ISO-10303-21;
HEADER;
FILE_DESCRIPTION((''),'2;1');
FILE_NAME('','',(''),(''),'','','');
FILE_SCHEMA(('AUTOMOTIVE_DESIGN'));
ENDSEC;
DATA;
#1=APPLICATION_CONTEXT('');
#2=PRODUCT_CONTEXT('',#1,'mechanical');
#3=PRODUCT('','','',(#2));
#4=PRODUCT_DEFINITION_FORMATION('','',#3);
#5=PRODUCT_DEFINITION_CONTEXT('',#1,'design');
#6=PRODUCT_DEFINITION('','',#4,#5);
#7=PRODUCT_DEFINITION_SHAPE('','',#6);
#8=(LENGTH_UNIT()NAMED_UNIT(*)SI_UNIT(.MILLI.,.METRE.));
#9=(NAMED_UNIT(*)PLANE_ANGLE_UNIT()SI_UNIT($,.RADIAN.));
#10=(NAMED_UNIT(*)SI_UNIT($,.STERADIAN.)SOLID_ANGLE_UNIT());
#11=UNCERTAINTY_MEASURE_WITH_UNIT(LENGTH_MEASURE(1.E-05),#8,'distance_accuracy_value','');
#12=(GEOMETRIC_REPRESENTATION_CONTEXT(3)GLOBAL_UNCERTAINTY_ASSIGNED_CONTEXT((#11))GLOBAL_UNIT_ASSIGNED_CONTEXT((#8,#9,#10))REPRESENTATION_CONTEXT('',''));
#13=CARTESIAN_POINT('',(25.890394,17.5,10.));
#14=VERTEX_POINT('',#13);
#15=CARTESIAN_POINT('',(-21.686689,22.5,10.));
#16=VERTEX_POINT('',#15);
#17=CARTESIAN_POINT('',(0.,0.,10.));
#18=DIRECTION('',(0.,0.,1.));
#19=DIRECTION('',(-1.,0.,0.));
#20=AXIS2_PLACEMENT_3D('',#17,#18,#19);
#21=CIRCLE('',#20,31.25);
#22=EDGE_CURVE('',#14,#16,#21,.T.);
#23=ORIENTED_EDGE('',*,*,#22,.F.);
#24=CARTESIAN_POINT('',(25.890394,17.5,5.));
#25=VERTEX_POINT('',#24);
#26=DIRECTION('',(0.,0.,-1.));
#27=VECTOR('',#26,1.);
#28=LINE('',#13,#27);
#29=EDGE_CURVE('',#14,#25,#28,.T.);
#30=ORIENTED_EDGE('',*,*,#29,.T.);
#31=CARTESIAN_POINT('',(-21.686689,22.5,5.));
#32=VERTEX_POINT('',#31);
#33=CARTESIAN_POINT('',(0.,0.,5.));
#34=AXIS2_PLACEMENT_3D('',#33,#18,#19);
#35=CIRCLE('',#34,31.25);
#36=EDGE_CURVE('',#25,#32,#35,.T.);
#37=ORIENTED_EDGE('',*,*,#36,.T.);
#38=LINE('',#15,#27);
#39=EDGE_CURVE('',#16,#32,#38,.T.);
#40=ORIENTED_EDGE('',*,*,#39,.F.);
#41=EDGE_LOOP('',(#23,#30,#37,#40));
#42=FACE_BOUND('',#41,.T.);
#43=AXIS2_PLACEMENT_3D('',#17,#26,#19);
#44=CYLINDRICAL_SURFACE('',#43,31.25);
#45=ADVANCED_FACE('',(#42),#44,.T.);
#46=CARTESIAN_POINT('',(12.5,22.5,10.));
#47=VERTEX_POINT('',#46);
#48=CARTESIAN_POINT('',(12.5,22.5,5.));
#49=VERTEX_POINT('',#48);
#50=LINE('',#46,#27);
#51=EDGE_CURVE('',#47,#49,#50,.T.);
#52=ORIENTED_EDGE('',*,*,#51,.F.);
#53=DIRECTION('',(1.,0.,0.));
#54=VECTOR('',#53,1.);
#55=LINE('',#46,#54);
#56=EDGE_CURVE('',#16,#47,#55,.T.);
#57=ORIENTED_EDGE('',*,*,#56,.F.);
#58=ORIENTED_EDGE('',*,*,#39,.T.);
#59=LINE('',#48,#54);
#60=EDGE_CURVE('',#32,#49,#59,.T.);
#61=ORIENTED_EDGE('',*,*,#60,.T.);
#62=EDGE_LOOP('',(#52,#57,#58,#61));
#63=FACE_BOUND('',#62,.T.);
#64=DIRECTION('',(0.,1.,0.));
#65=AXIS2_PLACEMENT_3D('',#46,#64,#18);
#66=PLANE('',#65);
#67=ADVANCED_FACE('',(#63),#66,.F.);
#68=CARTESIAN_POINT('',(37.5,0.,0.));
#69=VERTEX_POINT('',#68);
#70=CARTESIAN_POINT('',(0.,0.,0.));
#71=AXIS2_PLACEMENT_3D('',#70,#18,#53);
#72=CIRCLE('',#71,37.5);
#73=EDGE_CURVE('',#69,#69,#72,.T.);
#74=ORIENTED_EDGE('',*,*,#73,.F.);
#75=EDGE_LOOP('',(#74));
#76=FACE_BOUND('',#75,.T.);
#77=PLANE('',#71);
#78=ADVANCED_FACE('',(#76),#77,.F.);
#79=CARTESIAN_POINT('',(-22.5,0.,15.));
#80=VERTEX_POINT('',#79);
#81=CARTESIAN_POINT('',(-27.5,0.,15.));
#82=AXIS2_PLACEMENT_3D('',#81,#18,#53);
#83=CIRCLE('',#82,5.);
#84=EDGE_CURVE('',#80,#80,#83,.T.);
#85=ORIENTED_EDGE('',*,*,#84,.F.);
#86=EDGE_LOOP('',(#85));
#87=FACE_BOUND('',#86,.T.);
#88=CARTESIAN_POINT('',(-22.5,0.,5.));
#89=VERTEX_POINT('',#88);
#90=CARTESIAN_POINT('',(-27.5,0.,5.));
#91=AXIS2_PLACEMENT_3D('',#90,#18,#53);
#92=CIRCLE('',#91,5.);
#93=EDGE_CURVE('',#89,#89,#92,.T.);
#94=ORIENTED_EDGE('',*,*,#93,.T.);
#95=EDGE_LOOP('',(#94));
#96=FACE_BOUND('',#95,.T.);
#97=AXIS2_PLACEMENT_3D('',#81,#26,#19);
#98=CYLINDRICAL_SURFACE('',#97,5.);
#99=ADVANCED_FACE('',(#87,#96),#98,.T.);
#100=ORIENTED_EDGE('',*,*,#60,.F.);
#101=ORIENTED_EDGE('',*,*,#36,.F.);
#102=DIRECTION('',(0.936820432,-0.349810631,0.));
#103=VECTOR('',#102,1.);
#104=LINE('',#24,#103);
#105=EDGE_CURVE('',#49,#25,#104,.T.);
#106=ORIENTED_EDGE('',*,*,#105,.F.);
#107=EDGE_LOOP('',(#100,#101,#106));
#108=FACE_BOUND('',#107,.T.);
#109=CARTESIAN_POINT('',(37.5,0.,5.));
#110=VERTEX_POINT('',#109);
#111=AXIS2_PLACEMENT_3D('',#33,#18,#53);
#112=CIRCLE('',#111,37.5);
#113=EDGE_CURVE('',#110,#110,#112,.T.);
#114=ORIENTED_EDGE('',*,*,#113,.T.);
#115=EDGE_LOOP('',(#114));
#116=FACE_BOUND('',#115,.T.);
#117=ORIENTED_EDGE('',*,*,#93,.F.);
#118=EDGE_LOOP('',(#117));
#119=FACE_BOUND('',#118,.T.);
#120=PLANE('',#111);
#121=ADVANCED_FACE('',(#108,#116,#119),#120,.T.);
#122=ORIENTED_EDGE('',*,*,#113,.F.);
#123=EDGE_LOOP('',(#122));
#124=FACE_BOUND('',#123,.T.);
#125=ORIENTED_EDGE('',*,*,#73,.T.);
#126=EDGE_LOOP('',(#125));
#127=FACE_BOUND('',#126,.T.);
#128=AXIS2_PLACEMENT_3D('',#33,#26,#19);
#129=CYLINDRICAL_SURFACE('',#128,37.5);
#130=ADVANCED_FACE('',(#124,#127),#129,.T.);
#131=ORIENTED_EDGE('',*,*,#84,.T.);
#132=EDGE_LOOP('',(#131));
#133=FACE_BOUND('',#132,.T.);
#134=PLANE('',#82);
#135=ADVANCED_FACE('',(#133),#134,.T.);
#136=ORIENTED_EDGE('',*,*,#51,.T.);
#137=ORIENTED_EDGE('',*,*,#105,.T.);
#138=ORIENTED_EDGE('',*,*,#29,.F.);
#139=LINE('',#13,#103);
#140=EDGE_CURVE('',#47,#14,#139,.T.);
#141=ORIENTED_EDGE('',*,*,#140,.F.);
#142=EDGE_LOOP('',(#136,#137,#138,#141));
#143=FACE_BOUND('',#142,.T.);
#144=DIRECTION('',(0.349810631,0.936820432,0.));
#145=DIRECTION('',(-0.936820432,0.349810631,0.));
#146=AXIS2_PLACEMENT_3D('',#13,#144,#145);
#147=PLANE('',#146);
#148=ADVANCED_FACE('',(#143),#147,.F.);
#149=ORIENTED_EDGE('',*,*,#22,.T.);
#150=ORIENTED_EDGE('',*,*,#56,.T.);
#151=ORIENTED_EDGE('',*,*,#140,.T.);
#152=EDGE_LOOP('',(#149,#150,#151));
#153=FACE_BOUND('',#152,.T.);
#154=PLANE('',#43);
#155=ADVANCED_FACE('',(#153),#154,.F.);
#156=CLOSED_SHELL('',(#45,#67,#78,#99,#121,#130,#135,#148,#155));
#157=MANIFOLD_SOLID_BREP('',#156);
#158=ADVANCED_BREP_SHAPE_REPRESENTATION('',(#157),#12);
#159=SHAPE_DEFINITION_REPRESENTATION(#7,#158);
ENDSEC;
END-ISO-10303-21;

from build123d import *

# Parameters (mm, degrees)
SKETCH1_R           = 37.5
BOSS_EXTRUDE1_DEPTH = 5
BOSS_EXTRUDE2_DEPTH = 5
SKETCH4_R           = 5
BOSS_EXTRUDE3_DEPTH = 10


with BuildPart() as part:
    # Sketch1 → Boss-Extrude1 (new body)
    with BuildSketch(Plane.XY):
        Circle(SKETCH1_R)
    extrude(amount=BOSS_EXTRUDE1_DEPTH)

    # Sketch3 → Boss-Extrude2 (add)
    with BuildSketch(Plane.XY.offset(5)):
        with BuildLine():
            Line((25.890393972, 17.5), (12.5, 22.5))
            Line((12.5, 22.5), (-21.686689466, 22.5))
            ThreePointArc((-21.686689466, 22.5), (3.266157206, 31.078846779), (25.890393972, 17.5))
        make_face()
    extrude(amount=BOSS_EXTRUDE2_DEPTH)

    # Sketch4 → Boss-Extrude3 (add)
    with BuildSketch(Plane.XY.offset(5)):
        with Locations((-27.5, 0)):
            Circle(SKETCH4_R)
    extrude(amount=BOSS_EXTRUDE3_DEPTH)


solid = part.part
